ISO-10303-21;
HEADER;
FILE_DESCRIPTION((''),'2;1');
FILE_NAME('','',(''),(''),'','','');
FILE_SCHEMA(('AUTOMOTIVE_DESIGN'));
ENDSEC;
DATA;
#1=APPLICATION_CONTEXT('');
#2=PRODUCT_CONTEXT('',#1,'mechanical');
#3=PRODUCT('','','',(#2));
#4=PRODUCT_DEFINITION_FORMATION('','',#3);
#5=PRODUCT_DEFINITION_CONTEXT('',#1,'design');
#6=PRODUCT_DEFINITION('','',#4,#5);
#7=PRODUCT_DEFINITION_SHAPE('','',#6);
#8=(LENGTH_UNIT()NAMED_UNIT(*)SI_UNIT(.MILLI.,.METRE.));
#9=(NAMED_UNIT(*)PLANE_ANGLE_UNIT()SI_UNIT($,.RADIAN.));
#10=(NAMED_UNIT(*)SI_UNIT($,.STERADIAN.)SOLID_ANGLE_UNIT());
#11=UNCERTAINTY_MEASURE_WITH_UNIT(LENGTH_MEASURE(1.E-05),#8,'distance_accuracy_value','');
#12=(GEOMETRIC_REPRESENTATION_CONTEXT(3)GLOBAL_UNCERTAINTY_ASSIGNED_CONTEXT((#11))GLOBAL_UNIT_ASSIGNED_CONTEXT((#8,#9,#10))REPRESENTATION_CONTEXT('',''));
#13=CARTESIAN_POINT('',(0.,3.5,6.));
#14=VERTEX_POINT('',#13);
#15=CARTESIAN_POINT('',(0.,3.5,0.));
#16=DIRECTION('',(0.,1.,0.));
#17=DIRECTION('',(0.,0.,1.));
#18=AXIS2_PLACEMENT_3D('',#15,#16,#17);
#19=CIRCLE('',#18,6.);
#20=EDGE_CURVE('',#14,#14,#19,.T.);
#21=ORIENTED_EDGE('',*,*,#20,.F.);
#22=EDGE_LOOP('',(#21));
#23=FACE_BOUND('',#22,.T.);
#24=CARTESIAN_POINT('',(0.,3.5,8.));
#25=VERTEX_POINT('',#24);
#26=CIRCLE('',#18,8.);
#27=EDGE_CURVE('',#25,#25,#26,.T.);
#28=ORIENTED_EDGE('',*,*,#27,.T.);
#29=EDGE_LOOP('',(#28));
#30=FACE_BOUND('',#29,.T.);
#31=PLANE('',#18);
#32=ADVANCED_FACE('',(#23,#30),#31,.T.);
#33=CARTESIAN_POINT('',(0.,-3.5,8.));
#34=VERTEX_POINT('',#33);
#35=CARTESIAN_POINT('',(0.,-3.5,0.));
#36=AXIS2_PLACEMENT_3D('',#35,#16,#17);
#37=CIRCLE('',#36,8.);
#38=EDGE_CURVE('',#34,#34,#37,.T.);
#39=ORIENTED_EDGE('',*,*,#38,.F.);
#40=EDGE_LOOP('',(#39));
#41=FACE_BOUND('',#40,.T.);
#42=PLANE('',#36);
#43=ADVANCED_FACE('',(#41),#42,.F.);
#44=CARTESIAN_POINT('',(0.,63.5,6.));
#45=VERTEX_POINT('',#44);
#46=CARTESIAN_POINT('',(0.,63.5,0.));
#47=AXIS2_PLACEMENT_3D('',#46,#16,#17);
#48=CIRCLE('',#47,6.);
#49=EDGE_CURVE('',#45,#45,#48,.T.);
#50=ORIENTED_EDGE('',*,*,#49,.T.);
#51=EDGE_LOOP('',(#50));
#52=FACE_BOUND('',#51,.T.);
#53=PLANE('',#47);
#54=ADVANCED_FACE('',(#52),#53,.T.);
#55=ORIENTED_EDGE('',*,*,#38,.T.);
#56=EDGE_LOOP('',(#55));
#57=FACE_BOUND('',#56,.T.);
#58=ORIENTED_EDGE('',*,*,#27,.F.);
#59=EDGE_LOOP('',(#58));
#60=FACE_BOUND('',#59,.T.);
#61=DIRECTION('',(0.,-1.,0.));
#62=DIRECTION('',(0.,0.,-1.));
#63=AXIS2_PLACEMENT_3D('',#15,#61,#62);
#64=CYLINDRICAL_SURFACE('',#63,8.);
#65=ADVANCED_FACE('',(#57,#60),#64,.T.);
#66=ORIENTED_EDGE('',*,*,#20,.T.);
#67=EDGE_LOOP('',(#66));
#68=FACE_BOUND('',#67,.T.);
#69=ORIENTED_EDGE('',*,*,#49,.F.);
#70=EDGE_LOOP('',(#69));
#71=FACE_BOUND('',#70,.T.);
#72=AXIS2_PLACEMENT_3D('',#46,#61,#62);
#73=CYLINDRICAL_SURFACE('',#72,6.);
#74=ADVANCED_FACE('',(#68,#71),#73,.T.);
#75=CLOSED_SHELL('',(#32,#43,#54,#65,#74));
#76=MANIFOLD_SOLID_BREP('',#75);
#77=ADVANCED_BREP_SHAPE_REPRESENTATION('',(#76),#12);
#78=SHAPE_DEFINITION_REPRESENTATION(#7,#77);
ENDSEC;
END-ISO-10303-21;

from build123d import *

# Parameters (mm, degrees)
SKETCH1_R           = 8
BOSS_EXTRUDE1_DEPTH = 3.5
SKETCH2_R           = 6
BOSS_EXTRUDE2_DEPTH = 60


with BuildPart() as part:
    # Sketch1 → Boss-Extrude1 (new body, symmetric)
    with BuildSketch(Plane(origin=(0, 0, 0), x_dir=(1, 0, 0), z_dir=(0, 1, 0))):
        Circle(SKETCH1_R)
    extrude(amount=BOSS_EXTRUDE1_DEPTH, both=True)

    # Sketch2 → Boss-Extrude2 (add)
    with BuildSketch(Plane(origin=(0, 3.5, 0), x_dir=(1, 0, 0), z_dir=(0, 1, 0))):
        Circle(SKETCH2_R)
    extrude(amount=BOSS_EXTRUDE2_DEPTH)


solid = part.part
